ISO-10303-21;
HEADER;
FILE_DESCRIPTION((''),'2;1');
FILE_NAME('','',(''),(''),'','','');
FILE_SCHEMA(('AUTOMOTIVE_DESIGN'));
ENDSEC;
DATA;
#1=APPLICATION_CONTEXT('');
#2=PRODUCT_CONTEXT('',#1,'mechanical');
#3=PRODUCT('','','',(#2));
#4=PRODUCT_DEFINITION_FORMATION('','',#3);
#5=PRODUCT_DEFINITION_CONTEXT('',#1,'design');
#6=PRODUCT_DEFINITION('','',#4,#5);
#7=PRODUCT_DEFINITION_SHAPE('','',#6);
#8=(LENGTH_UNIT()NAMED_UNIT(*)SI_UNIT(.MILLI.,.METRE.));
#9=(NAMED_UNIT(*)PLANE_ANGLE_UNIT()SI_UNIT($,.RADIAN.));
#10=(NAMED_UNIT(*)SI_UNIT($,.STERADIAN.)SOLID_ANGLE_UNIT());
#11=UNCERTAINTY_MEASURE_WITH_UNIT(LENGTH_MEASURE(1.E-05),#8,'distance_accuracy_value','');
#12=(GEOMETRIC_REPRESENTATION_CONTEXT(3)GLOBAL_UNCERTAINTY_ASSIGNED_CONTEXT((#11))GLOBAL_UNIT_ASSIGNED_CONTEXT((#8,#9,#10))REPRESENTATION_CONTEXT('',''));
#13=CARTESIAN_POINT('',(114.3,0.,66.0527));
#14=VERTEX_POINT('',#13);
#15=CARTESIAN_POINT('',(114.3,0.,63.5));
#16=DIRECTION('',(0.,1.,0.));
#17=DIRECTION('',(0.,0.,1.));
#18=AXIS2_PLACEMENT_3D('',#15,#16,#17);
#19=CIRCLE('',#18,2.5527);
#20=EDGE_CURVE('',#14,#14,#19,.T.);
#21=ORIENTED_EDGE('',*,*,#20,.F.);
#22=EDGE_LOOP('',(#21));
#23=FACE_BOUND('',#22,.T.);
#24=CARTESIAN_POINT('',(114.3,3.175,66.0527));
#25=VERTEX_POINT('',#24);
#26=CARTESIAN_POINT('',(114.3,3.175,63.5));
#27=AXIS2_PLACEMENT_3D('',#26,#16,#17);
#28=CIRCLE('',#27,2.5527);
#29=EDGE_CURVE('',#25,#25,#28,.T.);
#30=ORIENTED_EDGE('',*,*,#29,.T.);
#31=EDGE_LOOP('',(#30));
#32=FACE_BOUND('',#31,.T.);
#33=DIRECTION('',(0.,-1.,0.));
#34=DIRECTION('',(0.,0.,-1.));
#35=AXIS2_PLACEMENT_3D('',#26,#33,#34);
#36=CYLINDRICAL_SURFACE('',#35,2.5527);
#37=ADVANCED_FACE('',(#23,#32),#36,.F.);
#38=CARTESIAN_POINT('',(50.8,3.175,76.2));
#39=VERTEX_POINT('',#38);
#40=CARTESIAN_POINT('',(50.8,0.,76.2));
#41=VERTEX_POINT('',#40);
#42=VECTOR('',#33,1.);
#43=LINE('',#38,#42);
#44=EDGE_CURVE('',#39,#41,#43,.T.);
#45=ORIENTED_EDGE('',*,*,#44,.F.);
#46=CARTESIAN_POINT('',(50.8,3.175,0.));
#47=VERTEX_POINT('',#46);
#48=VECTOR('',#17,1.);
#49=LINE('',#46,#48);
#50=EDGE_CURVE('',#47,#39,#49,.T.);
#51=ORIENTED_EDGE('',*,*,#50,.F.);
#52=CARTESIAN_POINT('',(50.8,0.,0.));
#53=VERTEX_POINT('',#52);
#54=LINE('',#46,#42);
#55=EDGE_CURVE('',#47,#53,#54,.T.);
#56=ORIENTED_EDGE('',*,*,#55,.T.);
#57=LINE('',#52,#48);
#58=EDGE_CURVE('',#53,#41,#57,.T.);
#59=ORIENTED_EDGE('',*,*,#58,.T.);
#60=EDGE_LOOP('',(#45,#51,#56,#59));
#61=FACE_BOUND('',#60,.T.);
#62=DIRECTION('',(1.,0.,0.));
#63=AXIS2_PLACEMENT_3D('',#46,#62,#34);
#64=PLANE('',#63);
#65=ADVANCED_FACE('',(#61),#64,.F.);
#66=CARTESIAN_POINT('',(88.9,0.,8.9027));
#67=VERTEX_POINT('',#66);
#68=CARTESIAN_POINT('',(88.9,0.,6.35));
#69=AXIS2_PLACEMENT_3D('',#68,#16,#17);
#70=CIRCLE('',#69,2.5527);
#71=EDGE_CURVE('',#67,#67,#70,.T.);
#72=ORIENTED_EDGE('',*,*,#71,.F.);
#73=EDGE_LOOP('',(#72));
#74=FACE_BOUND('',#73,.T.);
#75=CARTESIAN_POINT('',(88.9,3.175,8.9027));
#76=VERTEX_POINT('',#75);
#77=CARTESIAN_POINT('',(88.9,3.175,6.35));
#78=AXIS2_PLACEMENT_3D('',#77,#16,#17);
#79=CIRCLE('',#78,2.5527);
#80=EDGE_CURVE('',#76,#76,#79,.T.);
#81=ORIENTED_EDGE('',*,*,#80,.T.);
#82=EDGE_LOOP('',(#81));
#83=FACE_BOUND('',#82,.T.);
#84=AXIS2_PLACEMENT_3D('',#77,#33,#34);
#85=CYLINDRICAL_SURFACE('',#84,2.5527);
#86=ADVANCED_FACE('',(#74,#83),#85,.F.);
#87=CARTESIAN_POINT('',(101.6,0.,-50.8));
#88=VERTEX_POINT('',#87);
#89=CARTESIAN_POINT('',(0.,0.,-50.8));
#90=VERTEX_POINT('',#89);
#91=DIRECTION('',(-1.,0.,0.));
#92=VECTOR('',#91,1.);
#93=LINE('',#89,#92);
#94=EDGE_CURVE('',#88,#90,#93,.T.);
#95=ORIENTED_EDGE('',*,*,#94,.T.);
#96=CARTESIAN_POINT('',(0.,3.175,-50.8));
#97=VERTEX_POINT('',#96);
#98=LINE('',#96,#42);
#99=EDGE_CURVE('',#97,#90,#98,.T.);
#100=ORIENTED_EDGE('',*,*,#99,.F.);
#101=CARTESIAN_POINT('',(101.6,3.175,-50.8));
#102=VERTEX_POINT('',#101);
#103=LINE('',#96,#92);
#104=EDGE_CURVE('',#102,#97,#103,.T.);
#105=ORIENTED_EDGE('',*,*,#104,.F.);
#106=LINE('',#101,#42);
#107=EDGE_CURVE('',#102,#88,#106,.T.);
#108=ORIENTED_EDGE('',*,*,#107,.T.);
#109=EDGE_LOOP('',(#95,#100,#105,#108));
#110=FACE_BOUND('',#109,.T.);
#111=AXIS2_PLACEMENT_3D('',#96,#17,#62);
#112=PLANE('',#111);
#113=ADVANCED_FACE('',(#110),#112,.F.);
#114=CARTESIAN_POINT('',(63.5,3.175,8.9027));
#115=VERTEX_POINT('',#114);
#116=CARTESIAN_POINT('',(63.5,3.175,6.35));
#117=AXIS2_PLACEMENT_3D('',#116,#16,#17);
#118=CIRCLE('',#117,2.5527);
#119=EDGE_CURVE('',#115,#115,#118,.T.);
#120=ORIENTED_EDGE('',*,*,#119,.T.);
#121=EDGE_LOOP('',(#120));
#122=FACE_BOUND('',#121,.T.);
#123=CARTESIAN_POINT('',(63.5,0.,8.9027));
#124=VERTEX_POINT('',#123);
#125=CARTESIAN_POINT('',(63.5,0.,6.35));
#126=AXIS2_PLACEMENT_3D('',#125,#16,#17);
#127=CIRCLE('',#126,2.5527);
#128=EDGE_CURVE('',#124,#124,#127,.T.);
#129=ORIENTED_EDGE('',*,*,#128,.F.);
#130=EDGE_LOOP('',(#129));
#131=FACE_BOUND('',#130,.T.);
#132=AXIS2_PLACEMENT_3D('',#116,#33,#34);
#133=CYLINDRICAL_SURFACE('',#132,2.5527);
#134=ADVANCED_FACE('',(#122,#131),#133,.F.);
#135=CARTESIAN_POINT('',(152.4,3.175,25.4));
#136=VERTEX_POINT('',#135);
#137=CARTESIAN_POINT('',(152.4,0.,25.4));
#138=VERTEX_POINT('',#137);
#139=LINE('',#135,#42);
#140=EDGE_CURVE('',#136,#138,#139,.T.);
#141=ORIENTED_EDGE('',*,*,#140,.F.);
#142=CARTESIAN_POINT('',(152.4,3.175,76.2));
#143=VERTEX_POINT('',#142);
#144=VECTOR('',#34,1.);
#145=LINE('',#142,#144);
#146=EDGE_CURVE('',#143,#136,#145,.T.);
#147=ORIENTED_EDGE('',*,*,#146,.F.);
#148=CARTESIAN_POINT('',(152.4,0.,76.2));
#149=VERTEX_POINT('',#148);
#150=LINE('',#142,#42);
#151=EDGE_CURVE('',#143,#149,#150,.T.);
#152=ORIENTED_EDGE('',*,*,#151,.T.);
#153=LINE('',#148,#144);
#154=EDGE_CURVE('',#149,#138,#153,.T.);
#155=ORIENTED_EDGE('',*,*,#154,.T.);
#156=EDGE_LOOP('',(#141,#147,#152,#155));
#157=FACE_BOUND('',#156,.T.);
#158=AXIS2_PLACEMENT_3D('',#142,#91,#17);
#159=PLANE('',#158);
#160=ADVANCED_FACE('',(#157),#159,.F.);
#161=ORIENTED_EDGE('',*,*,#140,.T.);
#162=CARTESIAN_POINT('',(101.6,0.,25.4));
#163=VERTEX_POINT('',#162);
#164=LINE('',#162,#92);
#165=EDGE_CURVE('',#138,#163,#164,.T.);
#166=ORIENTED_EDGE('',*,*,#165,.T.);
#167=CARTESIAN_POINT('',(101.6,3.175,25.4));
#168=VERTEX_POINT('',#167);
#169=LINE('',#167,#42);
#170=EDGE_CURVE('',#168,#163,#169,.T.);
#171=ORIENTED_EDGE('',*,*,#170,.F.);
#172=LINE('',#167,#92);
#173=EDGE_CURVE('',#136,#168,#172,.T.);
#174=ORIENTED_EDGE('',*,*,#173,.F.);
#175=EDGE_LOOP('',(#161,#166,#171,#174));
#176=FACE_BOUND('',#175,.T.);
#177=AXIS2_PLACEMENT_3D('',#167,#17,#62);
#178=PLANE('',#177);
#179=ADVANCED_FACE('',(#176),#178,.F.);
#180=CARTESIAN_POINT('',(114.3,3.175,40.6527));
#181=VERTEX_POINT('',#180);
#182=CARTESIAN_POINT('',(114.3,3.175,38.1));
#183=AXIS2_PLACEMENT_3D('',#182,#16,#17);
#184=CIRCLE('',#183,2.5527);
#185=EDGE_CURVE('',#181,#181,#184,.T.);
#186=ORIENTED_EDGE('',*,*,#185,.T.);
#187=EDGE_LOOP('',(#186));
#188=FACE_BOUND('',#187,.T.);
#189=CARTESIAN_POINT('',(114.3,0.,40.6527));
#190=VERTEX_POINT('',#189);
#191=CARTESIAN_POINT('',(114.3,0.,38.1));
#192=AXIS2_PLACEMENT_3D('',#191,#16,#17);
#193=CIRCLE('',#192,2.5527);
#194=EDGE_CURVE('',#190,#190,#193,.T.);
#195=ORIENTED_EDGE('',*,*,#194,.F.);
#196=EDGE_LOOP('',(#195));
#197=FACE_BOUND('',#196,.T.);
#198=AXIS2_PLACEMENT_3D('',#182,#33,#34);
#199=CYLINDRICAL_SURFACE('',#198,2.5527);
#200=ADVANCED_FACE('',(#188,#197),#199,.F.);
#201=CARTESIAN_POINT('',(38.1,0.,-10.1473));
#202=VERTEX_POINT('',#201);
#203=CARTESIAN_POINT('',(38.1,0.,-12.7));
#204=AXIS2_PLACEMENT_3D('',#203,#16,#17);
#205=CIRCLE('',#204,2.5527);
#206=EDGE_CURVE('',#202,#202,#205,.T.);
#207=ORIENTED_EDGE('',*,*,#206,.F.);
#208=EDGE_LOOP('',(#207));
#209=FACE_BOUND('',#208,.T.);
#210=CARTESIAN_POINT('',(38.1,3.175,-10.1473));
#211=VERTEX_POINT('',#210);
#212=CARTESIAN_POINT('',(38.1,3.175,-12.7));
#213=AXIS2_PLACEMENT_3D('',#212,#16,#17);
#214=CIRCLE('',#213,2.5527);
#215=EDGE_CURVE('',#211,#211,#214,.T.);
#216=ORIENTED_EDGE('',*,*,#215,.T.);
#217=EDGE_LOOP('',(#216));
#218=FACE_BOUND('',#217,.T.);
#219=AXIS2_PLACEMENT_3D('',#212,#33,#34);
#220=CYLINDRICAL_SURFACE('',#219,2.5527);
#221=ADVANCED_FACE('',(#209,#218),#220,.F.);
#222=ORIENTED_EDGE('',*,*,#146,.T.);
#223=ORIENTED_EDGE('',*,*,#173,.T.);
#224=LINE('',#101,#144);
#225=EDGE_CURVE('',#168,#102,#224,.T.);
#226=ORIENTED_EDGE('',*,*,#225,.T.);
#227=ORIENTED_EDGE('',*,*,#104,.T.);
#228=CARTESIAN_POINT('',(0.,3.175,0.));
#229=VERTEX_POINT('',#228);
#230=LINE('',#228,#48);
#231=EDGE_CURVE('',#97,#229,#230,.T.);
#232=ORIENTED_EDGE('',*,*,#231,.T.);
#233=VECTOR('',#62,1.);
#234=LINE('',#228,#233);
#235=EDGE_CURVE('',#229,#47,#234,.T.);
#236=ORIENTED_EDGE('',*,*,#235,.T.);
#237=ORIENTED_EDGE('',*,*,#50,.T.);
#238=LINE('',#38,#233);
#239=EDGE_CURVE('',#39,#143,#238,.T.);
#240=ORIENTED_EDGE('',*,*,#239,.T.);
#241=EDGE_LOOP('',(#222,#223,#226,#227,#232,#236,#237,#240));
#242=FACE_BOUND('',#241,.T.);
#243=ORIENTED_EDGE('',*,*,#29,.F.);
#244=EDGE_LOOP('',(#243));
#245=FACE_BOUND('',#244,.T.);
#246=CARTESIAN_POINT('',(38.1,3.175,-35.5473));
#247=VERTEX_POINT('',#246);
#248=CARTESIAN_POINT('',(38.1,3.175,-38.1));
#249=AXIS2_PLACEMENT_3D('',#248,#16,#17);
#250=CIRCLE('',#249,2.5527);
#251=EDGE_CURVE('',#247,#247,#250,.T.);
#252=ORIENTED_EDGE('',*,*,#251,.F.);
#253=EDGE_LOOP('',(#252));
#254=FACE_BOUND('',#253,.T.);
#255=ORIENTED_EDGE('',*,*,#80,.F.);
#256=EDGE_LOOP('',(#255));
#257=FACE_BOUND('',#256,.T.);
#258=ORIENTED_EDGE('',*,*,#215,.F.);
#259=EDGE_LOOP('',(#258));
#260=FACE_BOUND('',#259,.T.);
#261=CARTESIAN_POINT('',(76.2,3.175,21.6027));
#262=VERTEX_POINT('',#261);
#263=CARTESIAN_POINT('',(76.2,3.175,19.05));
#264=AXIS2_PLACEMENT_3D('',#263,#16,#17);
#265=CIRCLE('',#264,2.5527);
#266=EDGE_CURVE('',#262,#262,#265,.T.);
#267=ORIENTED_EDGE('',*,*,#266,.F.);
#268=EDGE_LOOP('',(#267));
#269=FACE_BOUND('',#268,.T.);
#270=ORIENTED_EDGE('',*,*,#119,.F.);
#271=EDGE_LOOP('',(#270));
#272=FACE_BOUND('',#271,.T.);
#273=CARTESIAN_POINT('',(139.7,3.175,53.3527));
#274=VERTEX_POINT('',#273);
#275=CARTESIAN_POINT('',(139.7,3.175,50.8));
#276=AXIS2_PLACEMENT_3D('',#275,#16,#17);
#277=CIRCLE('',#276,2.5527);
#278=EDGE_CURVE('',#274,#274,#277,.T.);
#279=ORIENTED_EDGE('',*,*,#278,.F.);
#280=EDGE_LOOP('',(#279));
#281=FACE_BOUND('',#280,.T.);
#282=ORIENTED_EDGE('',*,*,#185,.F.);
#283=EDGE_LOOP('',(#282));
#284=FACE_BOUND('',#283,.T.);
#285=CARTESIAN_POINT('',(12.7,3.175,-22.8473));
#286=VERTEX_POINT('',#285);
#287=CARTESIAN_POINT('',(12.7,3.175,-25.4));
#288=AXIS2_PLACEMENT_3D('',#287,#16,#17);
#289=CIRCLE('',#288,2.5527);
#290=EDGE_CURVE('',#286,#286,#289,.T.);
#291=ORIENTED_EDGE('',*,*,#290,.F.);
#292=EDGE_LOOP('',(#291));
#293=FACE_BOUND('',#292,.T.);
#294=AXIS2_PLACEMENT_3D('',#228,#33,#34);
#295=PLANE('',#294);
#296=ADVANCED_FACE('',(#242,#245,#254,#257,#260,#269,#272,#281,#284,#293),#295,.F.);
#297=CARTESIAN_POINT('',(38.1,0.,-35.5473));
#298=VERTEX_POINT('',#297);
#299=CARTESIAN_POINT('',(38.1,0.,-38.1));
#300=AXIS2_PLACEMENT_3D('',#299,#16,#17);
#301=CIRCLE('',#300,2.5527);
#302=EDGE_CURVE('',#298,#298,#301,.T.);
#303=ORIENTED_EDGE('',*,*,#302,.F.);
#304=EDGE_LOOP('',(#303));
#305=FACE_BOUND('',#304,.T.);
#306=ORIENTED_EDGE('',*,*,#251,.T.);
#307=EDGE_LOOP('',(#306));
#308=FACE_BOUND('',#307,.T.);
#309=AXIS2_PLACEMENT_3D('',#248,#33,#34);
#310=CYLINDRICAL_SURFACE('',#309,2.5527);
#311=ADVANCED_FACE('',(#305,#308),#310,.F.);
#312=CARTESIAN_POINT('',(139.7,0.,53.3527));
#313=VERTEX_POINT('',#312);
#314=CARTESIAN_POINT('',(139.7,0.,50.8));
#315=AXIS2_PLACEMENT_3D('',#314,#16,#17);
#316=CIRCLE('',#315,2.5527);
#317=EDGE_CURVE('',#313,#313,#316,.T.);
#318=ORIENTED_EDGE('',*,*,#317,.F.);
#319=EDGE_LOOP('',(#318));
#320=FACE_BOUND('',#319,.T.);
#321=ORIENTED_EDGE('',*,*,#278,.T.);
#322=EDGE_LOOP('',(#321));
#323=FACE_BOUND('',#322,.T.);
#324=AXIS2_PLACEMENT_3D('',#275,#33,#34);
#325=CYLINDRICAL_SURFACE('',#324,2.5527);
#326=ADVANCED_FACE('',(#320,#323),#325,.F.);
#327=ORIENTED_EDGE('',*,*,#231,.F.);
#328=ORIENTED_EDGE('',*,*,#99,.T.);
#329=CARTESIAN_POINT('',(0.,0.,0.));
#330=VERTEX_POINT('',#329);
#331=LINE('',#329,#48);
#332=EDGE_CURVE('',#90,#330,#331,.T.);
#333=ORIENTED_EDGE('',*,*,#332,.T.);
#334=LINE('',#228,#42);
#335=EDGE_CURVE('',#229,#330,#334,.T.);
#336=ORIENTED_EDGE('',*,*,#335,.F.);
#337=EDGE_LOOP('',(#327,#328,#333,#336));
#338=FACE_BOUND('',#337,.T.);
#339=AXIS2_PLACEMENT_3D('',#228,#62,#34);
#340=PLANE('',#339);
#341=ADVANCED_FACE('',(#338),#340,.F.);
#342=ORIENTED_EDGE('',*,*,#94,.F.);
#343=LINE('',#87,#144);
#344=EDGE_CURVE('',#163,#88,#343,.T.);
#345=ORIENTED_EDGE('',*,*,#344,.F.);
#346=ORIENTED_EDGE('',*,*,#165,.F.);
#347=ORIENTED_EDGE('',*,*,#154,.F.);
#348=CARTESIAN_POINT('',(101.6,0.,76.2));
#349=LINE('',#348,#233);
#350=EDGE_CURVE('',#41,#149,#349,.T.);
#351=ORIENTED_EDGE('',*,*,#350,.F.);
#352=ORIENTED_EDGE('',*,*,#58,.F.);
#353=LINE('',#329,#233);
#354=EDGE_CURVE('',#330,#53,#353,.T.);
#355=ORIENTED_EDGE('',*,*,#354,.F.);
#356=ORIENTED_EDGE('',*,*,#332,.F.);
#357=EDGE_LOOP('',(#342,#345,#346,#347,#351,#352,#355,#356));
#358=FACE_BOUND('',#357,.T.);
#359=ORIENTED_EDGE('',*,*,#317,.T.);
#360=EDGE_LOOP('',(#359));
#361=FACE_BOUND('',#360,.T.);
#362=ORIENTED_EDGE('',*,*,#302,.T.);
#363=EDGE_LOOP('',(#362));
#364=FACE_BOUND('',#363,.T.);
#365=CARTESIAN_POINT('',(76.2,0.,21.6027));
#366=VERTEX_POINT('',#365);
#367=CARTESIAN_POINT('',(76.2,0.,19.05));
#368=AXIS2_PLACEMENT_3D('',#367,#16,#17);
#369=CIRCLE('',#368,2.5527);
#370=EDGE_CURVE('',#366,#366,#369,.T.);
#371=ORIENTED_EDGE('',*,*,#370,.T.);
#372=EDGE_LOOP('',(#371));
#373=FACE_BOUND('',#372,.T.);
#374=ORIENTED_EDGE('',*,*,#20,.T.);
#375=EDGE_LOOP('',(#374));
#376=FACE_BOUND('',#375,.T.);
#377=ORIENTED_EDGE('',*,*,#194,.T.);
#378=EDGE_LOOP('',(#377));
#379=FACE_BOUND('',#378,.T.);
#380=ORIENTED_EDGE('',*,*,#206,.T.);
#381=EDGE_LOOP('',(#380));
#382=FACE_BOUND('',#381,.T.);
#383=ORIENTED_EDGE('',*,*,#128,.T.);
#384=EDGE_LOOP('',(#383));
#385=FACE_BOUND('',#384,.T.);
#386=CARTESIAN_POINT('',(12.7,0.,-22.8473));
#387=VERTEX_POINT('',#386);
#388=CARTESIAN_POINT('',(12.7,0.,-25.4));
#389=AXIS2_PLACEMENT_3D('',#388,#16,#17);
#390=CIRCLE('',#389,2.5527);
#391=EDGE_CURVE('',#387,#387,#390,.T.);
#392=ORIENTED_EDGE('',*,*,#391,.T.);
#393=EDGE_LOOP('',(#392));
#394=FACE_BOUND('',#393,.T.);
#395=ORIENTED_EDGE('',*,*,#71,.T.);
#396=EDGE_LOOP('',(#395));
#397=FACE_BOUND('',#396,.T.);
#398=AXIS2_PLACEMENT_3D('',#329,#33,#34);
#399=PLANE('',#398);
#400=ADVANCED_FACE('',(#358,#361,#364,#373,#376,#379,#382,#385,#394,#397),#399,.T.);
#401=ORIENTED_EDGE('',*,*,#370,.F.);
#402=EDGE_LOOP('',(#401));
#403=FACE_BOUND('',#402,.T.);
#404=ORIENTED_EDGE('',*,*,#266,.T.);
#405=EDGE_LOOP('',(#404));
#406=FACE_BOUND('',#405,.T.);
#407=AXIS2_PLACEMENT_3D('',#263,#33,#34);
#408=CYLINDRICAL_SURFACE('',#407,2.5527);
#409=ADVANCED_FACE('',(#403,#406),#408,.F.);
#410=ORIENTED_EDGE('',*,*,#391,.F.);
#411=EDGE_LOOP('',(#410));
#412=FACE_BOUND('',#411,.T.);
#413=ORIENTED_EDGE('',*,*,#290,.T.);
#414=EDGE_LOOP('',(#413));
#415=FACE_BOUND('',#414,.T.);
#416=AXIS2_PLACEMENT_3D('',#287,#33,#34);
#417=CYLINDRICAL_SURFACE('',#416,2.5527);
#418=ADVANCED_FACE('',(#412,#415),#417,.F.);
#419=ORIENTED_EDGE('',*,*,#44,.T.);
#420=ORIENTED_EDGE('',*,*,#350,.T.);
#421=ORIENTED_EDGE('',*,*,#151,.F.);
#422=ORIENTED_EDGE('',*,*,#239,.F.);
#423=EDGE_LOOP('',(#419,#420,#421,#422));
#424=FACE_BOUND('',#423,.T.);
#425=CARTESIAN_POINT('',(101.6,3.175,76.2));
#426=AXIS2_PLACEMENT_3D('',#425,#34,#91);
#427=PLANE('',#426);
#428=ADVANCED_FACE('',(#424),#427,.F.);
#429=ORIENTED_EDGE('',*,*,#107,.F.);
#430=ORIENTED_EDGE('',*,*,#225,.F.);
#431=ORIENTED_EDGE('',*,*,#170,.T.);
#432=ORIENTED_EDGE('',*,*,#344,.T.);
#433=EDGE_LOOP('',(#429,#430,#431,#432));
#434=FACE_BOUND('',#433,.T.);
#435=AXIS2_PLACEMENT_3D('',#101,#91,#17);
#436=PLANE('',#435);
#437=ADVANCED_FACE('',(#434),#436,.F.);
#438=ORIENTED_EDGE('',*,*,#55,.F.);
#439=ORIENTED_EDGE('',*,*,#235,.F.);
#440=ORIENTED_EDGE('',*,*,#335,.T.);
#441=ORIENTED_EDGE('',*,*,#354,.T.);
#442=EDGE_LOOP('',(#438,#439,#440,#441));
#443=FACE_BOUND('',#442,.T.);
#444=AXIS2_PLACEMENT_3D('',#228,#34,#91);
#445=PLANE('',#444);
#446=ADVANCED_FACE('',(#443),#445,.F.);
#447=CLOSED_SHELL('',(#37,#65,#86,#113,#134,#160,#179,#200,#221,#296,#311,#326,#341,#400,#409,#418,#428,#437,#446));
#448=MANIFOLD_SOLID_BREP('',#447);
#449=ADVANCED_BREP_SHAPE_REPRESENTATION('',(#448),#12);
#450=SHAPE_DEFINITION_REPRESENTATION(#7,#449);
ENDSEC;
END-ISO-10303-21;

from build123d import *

# Parameters (mm, degrees)
SKETCH1_R           = 2.5527
BOSS_EXTRUDE1_DEPTH = 3.175


with BuildPart() as part:
    # Sketch1 → Boss-Extrude1 (new body)
    with BuildSketch(Plane(origin=(0, 0, 0), x_dir=(1, 0, 0), z_dir=(0, 1, 0))):
        Polygon((0, 0), (50.8, 0), (50.8, -76.2), (101.6, -76.2), (152.4, -76.2), (152.4, -25.4), (101.6, -25.4), (101.6, 50.8), (0, 50.8), align=None)
        with Locations((12.7, 25.4)):
            Circle(SKETCH1_R, mode=Mode.SUBTRACT)
        with Locations((38.1, 12.7)):
            Circle(SKETCH1_R, mode=Mode.SUBTRACT)
        with Locations((38.1, 38.1)):
            Circle(SKETCH1_R, mode=Mode.SUBTRACT)
        with Locations((139.7, -50.8)):
            Circle(SKETCH1_R, mode=Mode.SUBTRACT)
        with Locations((114.3, -38.1)):
            Circle(SKETCH1_R, mode=Mode.SUBTRACT)
        with Locations((114.3, -63.5)):
            Circle(SKETCH1_R, mode=Mode.SUBTRACT)
        with Locations((63.5, -6.35)):
            Circle(SKETCH1_R, mode=Mode.SUBTRACT)
        with Locations((88.9, -6.35)):
            Circle(SKETCH1_R, mode=Mode.SUBTRACT)
        with Locations((76.2, -19.05)):
            Circle(SKETCH1_R, mode=Mode.SUBTRACT)
    extrude(amount=BOSS_EXTRUDE1_DEPTH)


solid = part.part
